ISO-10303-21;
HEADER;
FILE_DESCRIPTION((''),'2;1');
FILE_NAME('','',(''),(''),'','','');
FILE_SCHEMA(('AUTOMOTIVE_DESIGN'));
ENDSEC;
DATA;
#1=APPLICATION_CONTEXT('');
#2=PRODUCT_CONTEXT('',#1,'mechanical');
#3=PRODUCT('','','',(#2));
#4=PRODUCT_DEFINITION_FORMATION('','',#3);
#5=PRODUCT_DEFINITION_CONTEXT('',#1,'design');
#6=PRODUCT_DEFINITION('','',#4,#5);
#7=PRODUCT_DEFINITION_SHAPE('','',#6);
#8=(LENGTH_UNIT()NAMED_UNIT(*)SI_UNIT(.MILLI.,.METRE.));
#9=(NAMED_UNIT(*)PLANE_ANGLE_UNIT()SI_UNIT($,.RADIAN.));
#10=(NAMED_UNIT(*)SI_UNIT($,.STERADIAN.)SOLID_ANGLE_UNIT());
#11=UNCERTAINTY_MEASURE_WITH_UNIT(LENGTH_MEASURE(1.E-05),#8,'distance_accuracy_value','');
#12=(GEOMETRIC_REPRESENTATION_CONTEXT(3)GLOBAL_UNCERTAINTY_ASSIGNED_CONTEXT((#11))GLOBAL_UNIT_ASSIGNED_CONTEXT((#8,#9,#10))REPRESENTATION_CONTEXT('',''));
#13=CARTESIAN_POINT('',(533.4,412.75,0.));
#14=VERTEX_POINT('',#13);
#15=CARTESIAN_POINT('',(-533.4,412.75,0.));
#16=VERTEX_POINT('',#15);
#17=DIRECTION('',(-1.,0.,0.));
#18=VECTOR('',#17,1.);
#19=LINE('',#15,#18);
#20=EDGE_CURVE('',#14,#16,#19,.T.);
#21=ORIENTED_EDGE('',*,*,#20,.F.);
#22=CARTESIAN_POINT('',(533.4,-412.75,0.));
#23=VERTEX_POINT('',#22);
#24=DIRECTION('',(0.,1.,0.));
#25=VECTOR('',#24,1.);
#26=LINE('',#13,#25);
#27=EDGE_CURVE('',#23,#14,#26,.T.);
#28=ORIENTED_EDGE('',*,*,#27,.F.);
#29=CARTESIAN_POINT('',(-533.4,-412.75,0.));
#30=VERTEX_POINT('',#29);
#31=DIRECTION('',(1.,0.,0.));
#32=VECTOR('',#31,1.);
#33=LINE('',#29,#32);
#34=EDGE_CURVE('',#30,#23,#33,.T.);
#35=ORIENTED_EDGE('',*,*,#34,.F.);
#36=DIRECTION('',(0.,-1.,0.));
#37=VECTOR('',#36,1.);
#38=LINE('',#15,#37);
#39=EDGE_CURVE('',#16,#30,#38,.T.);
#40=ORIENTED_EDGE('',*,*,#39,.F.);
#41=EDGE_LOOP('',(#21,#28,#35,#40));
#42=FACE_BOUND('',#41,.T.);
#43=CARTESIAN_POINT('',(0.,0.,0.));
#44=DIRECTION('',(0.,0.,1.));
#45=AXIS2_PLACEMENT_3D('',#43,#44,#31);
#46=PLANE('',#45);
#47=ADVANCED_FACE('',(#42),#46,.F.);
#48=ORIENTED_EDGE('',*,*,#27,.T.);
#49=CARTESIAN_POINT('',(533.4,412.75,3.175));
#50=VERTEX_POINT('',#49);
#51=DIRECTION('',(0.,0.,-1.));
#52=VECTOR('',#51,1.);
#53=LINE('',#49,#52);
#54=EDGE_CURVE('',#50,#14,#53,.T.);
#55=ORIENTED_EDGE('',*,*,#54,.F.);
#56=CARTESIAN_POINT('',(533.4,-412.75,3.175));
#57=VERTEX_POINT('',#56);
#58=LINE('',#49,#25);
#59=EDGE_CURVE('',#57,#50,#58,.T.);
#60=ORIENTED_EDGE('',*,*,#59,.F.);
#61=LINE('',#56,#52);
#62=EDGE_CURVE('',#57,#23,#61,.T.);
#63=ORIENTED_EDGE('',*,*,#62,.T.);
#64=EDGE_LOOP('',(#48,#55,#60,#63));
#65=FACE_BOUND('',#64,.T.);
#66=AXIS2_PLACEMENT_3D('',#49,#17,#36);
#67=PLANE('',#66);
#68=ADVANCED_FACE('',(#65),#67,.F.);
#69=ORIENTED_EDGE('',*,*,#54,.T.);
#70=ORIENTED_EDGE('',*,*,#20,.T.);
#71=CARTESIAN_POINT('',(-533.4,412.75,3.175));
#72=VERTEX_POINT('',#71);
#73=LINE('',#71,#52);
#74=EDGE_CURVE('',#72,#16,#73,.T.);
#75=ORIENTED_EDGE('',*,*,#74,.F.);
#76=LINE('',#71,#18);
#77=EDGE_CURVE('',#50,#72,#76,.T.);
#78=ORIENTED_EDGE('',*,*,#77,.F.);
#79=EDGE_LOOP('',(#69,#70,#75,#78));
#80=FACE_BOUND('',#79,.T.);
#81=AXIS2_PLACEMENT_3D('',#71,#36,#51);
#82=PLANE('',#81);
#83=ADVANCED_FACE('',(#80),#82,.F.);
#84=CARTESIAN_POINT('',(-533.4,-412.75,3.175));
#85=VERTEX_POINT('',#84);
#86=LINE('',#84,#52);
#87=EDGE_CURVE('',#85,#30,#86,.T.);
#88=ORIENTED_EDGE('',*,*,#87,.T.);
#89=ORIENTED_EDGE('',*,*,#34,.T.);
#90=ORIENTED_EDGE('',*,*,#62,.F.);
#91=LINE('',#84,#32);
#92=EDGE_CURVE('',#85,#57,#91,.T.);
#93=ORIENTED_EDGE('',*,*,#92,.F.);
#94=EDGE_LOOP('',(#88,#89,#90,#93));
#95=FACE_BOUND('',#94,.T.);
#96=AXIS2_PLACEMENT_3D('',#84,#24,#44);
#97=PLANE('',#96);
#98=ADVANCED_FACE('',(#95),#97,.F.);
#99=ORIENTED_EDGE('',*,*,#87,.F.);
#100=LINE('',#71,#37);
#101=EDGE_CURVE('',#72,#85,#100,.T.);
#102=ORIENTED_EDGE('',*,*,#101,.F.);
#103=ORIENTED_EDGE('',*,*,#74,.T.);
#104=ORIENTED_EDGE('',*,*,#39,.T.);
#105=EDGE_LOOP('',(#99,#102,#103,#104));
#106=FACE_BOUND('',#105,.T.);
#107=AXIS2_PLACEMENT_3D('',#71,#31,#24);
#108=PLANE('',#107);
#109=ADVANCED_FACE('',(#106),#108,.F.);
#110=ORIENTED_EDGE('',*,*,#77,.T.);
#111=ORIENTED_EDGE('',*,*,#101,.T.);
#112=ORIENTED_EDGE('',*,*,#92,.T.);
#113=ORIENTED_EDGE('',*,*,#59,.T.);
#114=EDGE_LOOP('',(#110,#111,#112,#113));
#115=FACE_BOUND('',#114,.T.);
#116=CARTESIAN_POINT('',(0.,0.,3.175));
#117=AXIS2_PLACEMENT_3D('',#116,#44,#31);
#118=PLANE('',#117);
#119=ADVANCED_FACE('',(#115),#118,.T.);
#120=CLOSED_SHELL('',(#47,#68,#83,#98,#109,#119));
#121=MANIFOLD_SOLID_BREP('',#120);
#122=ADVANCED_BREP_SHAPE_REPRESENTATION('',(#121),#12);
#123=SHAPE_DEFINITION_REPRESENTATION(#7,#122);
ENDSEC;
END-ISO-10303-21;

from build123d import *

# Parameters (mm, degrees)
SKETCH1_W           = 1066.8
SKETCH1_H           = 825.5
BOSS_EXTRUDE1_DEPTH = 3.175


with BuildPart() as part:
    # Sketch1 → Boss-Extrude1 (new body)
    with BuildSketch(Plane.XY):
        Rectangle(SKETCH1_W, SKETCH1_H)
    extrude(amount=BOSS_EXTRUDE1_DEPTH)


solid = part.part
